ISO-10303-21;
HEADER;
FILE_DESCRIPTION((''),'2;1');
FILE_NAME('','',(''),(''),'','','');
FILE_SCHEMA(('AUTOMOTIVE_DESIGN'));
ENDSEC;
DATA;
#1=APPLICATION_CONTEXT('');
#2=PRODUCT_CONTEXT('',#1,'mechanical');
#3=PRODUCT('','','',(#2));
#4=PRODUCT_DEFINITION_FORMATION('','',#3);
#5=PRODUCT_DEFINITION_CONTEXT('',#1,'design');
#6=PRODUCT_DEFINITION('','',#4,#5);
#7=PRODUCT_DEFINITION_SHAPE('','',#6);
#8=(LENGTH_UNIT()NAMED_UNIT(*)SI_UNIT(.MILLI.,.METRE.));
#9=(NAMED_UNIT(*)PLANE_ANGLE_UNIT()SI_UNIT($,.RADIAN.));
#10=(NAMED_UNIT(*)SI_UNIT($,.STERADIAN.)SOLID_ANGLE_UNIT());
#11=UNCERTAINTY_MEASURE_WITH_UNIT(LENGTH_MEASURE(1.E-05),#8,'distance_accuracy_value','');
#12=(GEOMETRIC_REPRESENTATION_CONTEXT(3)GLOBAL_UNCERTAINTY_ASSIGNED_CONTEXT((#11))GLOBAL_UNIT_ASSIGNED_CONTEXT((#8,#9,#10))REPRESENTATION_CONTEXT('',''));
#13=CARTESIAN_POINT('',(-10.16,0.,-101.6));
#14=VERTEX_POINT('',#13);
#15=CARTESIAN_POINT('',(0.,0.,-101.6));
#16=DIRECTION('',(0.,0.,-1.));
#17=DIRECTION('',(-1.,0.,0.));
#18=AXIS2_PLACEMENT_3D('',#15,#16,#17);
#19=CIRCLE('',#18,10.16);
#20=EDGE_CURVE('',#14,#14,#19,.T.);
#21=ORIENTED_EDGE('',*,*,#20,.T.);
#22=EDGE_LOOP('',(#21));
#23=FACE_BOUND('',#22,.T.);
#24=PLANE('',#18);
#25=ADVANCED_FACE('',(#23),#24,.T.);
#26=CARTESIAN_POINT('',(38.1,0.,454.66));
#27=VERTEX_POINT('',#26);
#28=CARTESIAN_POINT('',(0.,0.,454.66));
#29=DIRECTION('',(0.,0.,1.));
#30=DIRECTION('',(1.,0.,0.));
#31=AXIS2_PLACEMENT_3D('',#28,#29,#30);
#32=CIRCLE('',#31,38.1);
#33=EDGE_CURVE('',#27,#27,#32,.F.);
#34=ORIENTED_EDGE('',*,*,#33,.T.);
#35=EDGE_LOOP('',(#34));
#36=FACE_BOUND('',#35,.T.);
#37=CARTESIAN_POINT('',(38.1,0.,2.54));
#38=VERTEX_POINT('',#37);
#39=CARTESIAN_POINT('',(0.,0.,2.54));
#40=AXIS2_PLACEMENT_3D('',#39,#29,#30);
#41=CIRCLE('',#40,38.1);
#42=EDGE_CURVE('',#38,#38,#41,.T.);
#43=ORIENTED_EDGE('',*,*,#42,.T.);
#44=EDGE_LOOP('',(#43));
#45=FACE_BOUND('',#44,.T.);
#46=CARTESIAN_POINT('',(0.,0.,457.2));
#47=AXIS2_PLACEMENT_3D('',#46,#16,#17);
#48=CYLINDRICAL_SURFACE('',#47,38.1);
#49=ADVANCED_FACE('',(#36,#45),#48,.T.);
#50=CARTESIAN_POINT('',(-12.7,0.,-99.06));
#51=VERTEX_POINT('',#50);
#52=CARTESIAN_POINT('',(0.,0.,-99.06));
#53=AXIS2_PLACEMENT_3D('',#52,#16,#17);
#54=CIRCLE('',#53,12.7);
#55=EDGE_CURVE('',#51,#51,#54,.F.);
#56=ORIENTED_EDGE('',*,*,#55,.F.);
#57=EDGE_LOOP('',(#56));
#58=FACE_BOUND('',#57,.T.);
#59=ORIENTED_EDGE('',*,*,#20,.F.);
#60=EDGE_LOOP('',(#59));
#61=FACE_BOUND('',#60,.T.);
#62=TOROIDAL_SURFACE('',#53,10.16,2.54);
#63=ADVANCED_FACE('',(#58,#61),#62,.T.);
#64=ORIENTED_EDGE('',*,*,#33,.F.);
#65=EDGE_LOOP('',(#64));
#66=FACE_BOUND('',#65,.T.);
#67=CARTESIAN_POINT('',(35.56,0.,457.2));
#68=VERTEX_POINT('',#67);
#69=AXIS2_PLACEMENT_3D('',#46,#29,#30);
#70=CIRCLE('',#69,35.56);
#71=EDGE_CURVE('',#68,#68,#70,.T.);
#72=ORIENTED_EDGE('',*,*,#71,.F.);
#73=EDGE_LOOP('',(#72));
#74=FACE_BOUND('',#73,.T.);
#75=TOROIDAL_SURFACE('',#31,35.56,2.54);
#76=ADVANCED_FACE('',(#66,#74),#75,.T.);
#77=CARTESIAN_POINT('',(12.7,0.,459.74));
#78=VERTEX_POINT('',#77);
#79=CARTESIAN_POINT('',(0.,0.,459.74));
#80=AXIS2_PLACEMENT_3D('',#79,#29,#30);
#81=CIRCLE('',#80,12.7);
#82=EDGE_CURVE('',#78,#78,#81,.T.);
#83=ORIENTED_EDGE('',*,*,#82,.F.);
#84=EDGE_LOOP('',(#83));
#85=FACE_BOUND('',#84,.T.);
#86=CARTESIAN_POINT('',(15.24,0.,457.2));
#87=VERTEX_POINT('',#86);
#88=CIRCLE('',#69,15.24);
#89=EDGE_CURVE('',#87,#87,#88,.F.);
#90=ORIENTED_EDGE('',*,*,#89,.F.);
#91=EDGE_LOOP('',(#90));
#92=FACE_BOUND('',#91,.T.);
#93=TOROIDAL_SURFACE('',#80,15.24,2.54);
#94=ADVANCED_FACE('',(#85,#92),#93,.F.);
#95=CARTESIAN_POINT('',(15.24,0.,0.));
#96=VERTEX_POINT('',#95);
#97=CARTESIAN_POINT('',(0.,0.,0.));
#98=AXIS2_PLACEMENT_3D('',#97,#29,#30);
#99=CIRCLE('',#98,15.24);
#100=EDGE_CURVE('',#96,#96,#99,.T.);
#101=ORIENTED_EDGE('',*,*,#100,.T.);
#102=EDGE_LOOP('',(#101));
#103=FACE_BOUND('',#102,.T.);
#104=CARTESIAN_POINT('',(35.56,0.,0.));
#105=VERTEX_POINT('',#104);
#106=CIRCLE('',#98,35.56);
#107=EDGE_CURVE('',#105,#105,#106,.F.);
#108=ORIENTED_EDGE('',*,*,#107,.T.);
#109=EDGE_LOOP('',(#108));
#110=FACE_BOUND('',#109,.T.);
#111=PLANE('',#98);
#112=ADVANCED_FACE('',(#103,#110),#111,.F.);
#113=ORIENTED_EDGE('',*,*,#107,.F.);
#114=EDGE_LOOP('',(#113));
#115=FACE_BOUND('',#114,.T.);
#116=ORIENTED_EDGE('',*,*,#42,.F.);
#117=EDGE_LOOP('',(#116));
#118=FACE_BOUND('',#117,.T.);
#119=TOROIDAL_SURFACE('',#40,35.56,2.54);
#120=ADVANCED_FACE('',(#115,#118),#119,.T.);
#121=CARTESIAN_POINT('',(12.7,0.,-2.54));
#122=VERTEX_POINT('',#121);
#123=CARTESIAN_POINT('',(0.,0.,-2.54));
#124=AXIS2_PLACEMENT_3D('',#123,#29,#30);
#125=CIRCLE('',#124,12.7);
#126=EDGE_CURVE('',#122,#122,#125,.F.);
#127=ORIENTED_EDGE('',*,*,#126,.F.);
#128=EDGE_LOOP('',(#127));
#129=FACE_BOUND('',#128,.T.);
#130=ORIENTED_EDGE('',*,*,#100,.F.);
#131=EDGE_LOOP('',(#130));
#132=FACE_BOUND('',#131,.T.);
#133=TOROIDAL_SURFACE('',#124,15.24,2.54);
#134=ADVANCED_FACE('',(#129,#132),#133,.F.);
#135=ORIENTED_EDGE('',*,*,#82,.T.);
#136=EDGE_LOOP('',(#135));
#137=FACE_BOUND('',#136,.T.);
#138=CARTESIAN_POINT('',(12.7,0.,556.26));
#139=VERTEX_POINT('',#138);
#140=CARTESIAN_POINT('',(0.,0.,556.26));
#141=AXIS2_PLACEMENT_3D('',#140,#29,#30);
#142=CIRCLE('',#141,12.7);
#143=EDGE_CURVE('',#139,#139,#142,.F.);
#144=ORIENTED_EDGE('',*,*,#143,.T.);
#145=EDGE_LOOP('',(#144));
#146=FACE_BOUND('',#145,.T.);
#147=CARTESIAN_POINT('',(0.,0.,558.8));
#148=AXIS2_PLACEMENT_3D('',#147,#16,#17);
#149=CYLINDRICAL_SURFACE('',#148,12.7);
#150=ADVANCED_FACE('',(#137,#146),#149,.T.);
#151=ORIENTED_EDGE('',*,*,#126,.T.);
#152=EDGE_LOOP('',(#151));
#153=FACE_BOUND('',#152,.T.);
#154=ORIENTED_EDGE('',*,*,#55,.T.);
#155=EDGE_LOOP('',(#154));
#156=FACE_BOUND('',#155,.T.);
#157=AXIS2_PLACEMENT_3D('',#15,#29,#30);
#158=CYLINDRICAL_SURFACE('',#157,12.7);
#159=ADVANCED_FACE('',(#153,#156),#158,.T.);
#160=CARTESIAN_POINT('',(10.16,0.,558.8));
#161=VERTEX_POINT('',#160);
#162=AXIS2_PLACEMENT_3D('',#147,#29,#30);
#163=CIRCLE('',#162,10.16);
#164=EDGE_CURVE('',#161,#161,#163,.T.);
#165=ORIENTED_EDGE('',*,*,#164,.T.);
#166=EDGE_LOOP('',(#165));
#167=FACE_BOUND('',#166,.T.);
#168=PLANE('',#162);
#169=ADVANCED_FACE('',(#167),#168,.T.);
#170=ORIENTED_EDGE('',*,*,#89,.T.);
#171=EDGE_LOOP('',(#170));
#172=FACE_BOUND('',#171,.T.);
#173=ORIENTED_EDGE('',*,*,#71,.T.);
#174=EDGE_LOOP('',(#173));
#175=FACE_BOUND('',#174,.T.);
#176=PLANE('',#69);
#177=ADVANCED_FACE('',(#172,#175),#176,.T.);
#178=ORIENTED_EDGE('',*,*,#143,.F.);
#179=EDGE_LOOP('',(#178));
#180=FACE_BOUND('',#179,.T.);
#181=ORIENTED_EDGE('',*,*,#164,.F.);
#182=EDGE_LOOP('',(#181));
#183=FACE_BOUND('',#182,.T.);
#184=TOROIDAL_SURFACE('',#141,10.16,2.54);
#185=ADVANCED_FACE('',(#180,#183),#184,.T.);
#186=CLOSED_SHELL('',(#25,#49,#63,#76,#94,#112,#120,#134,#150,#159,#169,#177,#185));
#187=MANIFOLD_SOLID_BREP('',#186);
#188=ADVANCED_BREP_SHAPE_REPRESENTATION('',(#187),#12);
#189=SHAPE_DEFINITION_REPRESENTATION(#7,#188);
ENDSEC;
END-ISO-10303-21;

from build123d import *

# Parameters (mm, degrees)
SKETCH1_R           = 38.1
BOSS_EXTRUDE1_DEPTH = 457.2
SKETCH2_R           = 12.7
BOSS_EXTRUDE2_DEPTH = 101.6
SKETCH3_R           = 12.7
BOSS_EXTRUDE3_DEPTH = 101.6
FILLET1_R           = 2.54
FILLET2_R           = 2.54


with BuildPart() as part:
    # Sketch1 → Boss-Extrude1 (new body)
    with BuildSketch(Plane.XY):
        Circle(SKETCH1_R)
    extrude(amount=BOSS_EXTRUDE1_DEPTH)

    # Sketch2 → Boss-Extrude2 (add)
    with BuildSketch(Plane(origin=(0, 0, 0), x_dir=(-1, 0, 0), z_dir=(0, 0, -1))):
        Circle(SKETCH2_R)
    extrude(amount=BOSS_EXTRUDE2_DEPTH)

    # Sketch3 → Boss-Extrude3 (add)
    with BuildSketch(Plane.XY.offset(457.2)):
        Circle(SKETCH3_R)
    extrude(amount=BOSS_EXTRUDE3_DEPTH)

    # Fillet1
    fillet1_edges = [part.edges().sort_by_distance(p)[0] for p in [
        (-12.7, 0, 457.2),
        (12.7, 0, 0),
    ]]
    fillet(fillet1_edges, radius=FILLET1_R)

    # Fillet2
    fillet2_edges = [part.edges().sort_by_distance(p)[0] for p in [
        (-12.7, 0, 558.8),
        (-38.1, 0, 0),
        (-38.1, 0, 457.2),
        (12.7, 0, -101.6),
    ]]
    fillet(fillet2_edges, radius=FILLET2_R)


solid = part.part
